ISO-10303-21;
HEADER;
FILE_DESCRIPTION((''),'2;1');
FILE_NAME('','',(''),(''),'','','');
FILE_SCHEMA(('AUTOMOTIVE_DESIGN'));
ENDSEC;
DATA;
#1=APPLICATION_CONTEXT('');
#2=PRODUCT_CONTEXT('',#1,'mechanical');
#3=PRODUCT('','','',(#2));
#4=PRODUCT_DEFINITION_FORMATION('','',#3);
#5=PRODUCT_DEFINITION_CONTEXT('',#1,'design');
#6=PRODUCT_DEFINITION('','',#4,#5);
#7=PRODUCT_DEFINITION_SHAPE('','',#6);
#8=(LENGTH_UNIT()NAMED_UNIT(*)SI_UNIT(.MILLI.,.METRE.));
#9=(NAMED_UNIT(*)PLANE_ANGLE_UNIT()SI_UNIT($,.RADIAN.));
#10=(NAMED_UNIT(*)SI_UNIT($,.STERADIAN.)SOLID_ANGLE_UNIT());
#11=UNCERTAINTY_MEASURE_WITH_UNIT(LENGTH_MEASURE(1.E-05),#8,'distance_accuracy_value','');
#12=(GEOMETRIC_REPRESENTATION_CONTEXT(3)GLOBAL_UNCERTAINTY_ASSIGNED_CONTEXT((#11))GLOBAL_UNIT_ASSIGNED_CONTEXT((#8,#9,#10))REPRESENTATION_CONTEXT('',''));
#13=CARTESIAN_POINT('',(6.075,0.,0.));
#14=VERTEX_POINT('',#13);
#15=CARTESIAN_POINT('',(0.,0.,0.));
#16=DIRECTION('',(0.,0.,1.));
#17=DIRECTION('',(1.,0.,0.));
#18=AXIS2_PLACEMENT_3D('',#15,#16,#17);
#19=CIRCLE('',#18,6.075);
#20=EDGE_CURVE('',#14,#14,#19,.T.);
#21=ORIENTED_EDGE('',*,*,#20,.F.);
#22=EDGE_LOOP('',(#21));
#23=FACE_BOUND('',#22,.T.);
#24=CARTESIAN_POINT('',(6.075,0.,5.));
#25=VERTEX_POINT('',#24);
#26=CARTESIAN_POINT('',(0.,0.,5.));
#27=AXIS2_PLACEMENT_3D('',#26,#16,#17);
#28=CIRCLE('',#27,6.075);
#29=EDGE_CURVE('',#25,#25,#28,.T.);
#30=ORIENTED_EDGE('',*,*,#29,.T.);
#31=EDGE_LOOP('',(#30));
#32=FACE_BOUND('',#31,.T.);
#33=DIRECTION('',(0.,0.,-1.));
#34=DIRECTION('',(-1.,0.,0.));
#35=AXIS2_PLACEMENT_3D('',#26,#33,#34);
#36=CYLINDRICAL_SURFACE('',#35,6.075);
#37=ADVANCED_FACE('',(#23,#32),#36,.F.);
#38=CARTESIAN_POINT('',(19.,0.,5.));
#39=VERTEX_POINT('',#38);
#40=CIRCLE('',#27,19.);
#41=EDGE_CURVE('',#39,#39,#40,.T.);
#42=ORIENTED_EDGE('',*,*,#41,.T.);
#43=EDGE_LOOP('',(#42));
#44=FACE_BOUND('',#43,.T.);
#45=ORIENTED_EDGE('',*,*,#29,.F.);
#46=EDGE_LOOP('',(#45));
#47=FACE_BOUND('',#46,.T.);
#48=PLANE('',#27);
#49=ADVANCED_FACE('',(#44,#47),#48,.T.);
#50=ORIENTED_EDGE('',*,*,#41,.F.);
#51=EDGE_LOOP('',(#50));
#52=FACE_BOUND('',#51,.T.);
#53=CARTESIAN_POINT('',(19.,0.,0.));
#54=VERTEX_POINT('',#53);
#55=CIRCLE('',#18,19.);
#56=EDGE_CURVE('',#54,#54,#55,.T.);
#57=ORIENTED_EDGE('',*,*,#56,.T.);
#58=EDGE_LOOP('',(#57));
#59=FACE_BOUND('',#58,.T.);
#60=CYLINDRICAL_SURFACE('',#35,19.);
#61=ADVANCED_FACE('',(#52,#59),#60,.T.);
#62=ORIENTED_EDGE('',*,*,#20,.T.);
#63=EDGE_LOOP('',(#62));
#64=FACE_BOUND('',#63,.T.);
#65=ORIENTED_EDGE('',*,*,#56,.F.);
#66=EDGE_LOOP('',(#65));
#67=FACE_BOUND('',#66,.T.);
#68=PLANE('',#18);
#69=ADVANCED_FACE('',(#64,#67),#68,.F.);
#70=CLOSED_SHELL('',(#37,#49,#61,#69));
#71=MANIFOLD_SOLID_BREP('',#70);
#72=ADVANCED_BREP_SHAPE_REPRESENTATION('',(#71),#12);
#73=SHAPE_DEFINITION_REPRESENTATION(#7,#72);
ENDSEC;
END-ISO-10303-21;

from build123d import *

# Parameters (mm, degrees)
SKIZZE1_R                       = 19
SKIZZE1_R_2                     = 6.075
AUFSATZ_LINEAR_AUSTRAGEN1_DEPTH = 5


with BuildPart() as part:
    # Skizze1 → Aufsatz-Linear austragen1 (new body)
    with BuildSketch(Plane.XY):
        Circle(SKIZZE1_R)
        Circle(SKIZZE1_R_2, mode=Mode.SUBTRACT)
    extrude(amount=AUFSATZ_LINEAR_AUSTRAGEN1_DEPTH)


solid = part.part
